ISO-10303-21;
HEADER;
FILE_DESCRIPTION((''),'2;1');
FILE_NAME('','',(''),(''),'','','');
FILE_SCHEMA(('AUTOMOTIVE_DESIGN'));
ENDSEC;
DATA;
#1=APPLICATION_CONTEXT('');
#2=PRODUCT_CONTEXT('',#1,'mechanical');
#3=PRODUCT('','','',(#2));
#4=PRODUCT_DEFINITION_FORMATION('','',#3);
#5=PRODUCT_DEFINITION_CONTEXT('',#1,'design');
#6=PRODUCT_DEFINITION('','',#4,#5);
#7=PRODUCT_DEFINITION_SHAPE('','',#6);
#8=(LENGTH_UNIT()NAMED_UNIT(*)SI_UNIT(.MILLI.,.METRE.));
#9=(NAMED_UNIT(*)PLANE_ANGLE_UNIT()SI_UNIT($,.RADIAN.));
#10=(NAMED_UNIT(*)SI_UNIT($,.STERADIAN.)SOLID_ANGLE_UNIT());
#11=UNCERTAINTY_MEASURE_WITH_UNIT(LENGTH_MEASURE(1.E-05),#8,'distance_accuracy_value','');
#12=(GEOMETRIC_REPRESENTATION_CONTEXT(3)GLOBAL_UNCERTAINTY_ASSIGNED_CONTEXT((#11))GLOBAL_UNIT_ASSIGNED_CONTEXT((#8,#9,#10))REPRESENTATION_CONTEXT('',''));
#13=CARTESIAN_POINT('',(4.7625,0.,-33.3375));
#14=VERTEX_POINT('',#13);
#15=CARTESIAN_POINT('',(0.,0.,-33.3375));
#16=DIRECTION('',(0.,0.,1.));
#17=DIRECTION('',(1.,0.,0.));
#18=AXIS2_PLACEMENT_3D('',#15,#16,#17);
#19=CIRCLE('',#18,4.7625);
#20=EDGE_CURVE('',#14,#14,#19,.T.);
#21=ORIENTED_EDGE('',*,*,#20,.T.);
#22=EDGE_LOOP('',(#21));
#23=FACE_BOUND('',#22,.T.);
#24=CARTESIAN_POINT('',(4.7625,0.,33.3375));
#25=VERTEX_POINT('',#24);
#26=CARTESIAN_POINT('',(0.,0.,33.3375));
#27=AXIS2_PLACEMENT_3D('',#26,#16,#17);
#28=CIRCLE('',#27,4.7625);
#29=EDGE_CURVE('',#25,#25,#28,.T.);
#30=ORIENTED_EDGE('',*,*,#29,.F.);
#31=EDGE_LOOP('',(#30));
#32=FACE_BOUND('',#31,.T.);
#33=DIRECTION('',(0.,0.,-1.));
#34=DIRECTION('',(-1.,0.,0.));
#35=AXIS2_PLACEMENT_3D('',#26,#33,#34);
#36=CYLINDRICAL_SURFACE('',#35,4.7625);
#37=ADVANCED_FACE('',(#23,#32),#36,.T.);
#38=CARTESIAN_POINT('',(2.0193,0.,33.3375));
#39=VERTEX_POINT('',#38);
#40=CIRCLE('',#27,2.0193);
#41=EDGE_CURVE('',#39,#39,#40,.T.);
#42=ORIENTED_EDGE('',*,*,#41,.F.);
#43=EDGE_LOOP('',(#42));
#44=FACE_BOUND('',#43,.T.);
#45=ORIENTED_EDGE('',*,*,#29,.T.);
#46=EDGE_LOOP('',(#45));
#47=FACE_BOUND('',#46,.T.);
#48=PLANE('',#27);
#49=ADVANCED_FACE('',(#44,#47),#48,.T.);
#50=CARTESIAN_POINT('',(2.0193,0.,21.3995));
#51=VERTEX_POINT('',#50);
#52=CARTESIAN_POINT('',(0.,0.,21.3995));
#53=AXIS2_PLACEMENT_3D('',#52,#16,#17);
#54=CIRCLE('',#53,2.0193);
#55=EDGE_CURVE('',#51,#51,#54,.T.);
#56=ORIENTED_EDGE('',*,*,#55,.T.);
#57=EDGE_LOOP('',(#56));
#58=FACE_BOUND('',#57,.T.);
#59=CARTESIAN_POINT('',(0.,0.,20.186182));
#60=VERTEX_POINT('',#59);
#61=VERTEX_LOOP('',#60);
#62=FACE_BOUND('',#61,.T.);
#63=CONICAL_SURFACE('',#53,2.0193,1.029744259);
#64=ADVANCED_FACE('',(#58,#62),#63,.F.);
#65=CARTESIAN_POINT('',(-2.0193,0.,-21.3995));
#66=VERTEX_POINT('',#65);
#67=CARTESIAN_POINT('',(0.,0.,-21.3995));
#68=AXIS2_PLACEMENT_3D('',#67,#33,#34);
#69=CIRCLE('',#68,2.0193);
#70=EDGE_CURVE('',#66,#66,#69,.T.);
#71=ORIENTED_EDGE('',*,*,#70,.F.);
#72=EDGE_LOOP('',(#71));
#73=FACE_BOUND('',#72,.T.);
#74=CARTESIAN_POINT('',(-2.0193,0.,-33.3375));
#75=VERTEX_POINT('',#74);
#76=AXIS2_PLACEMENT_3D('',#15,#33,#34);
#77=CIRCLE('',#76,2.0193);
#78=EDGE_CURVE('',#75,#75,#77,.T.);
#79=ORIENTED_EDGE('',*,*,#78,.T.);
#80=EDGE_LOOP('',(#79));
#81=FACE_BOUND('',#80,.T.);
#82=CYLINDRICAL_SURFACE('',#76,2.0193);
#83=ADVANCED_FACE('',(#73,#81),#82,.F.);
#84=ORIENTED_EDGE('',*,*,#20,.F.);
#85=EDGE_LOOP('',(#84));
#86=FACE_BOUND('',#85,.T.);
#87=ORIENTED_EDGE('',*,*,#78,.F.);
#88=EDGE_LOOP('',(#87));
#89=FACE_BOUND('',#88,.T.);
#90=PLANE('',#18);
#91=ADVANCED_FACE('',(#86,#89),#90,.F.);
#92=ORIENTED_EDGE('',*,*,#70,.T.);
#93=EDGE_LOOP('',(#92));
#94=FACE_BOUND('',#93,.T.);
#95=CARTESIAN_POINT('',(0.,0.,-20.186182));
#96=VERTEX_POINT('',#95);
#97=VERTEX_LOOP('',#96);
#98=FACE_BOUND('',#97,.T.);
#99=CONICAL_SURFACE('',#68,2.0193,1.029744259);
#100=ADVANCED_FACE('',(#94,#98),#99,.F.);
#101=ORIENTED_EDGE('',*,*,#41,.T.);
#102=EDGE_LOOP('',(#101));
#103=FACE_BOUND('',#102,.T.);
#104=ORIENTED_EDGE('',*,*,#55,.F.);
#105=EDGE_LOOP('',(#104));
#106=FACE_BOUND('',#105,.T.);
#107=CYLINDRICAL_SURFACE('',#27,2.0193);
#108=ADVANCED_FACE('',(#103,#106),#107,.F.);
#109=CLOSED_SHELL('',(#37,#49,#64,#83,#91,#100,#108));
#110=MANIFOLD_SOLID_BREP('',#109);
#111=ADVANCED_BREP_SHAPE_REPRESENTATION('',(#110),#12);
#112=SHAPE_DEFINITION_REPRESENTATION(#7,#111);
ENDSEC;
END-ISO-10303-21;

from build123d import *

# Parameters (mm, degrees)
SKETCH1_R                            = 4.7625
BOSS_EXTRUDE1_DEPTH                  = 33.3375
F_10_32_TAPPED_HOLE1_D               = 4.0386
F_10_32_TAPPED_HOLE1_DEPTH           = 11.938
F_10_32_TAPPED_HOLE1_TIP             = 1.213317848
F_10_32_TAPPED_HOLE1_ON_FACE_2_D     = 4.0386
F_10_32_TAPPED_HOLE1_ON_FACE_2_DEPTH = 11.938
F_10_32_TAPPED_HOLE1_ON_FACE_2_TIP   = 1.213317848


with BuildPart() as part:
    # Sketch1 → Boss-Extrude1 (new, symmetric)
    with BuildSketch(Plane.XY):
        Circle(SKETCH1_R)
    extrude(amount=BOSS_EXTRUDE1_DEPTH, both=True)

    # #10-32 Tapped Hole1
    with Locations(Plane.XY.offset(33.3375)):
        with Locations((0, 0)):
            Hole(F_10_32_TAPPED_HOLE1_D / 2, depth=F_10_32_TAPPED_HOLE1_DEPTH)
            with Locations((0, 0, -(F_10_32_TAPPED_HOLE1_DEPTH + F_10_32_TAPPED_HOLE1_TIP / 2))):  # 118° drill point
                Cone(0, F_10_32_TAPPED_HOLE1_D / 2, F_10_32_TAPPED_HOLE1_TIP, mode=Mode.SUBTRACT)

    # #10-32 Tapped Hole1 on face 2
    with Locations(Plane(origin=(0, 0, -33.3375), x_dir=(-1, 0, 0), z_dir=(0, 0, -1))):
        with Locations((0, 0)):
            Hole(F_10_32_TAPPED_HOLE1_ON_FACE_2_D / 2, depth=F_10_32_TAPPED_HOLE1_ON_FACE_2_DEPTH)
            with Locations((0, 0, -(F_10_32_TAPPED_HOLE1_ON_FACE_2_DEPTH + F_10_32_TAPPED_HOLE1_ON_FACE_2_TIP / 2))):  # 118° drill point
                Cone(0, F_10_32_TAPPED_HOLE1_ON_FACE_2_D / 2, F_10_32_TAPPED_HOLE1_ON_FACE_2_TIP, mode=Mode.SUBTRACT)


solid = part.part
